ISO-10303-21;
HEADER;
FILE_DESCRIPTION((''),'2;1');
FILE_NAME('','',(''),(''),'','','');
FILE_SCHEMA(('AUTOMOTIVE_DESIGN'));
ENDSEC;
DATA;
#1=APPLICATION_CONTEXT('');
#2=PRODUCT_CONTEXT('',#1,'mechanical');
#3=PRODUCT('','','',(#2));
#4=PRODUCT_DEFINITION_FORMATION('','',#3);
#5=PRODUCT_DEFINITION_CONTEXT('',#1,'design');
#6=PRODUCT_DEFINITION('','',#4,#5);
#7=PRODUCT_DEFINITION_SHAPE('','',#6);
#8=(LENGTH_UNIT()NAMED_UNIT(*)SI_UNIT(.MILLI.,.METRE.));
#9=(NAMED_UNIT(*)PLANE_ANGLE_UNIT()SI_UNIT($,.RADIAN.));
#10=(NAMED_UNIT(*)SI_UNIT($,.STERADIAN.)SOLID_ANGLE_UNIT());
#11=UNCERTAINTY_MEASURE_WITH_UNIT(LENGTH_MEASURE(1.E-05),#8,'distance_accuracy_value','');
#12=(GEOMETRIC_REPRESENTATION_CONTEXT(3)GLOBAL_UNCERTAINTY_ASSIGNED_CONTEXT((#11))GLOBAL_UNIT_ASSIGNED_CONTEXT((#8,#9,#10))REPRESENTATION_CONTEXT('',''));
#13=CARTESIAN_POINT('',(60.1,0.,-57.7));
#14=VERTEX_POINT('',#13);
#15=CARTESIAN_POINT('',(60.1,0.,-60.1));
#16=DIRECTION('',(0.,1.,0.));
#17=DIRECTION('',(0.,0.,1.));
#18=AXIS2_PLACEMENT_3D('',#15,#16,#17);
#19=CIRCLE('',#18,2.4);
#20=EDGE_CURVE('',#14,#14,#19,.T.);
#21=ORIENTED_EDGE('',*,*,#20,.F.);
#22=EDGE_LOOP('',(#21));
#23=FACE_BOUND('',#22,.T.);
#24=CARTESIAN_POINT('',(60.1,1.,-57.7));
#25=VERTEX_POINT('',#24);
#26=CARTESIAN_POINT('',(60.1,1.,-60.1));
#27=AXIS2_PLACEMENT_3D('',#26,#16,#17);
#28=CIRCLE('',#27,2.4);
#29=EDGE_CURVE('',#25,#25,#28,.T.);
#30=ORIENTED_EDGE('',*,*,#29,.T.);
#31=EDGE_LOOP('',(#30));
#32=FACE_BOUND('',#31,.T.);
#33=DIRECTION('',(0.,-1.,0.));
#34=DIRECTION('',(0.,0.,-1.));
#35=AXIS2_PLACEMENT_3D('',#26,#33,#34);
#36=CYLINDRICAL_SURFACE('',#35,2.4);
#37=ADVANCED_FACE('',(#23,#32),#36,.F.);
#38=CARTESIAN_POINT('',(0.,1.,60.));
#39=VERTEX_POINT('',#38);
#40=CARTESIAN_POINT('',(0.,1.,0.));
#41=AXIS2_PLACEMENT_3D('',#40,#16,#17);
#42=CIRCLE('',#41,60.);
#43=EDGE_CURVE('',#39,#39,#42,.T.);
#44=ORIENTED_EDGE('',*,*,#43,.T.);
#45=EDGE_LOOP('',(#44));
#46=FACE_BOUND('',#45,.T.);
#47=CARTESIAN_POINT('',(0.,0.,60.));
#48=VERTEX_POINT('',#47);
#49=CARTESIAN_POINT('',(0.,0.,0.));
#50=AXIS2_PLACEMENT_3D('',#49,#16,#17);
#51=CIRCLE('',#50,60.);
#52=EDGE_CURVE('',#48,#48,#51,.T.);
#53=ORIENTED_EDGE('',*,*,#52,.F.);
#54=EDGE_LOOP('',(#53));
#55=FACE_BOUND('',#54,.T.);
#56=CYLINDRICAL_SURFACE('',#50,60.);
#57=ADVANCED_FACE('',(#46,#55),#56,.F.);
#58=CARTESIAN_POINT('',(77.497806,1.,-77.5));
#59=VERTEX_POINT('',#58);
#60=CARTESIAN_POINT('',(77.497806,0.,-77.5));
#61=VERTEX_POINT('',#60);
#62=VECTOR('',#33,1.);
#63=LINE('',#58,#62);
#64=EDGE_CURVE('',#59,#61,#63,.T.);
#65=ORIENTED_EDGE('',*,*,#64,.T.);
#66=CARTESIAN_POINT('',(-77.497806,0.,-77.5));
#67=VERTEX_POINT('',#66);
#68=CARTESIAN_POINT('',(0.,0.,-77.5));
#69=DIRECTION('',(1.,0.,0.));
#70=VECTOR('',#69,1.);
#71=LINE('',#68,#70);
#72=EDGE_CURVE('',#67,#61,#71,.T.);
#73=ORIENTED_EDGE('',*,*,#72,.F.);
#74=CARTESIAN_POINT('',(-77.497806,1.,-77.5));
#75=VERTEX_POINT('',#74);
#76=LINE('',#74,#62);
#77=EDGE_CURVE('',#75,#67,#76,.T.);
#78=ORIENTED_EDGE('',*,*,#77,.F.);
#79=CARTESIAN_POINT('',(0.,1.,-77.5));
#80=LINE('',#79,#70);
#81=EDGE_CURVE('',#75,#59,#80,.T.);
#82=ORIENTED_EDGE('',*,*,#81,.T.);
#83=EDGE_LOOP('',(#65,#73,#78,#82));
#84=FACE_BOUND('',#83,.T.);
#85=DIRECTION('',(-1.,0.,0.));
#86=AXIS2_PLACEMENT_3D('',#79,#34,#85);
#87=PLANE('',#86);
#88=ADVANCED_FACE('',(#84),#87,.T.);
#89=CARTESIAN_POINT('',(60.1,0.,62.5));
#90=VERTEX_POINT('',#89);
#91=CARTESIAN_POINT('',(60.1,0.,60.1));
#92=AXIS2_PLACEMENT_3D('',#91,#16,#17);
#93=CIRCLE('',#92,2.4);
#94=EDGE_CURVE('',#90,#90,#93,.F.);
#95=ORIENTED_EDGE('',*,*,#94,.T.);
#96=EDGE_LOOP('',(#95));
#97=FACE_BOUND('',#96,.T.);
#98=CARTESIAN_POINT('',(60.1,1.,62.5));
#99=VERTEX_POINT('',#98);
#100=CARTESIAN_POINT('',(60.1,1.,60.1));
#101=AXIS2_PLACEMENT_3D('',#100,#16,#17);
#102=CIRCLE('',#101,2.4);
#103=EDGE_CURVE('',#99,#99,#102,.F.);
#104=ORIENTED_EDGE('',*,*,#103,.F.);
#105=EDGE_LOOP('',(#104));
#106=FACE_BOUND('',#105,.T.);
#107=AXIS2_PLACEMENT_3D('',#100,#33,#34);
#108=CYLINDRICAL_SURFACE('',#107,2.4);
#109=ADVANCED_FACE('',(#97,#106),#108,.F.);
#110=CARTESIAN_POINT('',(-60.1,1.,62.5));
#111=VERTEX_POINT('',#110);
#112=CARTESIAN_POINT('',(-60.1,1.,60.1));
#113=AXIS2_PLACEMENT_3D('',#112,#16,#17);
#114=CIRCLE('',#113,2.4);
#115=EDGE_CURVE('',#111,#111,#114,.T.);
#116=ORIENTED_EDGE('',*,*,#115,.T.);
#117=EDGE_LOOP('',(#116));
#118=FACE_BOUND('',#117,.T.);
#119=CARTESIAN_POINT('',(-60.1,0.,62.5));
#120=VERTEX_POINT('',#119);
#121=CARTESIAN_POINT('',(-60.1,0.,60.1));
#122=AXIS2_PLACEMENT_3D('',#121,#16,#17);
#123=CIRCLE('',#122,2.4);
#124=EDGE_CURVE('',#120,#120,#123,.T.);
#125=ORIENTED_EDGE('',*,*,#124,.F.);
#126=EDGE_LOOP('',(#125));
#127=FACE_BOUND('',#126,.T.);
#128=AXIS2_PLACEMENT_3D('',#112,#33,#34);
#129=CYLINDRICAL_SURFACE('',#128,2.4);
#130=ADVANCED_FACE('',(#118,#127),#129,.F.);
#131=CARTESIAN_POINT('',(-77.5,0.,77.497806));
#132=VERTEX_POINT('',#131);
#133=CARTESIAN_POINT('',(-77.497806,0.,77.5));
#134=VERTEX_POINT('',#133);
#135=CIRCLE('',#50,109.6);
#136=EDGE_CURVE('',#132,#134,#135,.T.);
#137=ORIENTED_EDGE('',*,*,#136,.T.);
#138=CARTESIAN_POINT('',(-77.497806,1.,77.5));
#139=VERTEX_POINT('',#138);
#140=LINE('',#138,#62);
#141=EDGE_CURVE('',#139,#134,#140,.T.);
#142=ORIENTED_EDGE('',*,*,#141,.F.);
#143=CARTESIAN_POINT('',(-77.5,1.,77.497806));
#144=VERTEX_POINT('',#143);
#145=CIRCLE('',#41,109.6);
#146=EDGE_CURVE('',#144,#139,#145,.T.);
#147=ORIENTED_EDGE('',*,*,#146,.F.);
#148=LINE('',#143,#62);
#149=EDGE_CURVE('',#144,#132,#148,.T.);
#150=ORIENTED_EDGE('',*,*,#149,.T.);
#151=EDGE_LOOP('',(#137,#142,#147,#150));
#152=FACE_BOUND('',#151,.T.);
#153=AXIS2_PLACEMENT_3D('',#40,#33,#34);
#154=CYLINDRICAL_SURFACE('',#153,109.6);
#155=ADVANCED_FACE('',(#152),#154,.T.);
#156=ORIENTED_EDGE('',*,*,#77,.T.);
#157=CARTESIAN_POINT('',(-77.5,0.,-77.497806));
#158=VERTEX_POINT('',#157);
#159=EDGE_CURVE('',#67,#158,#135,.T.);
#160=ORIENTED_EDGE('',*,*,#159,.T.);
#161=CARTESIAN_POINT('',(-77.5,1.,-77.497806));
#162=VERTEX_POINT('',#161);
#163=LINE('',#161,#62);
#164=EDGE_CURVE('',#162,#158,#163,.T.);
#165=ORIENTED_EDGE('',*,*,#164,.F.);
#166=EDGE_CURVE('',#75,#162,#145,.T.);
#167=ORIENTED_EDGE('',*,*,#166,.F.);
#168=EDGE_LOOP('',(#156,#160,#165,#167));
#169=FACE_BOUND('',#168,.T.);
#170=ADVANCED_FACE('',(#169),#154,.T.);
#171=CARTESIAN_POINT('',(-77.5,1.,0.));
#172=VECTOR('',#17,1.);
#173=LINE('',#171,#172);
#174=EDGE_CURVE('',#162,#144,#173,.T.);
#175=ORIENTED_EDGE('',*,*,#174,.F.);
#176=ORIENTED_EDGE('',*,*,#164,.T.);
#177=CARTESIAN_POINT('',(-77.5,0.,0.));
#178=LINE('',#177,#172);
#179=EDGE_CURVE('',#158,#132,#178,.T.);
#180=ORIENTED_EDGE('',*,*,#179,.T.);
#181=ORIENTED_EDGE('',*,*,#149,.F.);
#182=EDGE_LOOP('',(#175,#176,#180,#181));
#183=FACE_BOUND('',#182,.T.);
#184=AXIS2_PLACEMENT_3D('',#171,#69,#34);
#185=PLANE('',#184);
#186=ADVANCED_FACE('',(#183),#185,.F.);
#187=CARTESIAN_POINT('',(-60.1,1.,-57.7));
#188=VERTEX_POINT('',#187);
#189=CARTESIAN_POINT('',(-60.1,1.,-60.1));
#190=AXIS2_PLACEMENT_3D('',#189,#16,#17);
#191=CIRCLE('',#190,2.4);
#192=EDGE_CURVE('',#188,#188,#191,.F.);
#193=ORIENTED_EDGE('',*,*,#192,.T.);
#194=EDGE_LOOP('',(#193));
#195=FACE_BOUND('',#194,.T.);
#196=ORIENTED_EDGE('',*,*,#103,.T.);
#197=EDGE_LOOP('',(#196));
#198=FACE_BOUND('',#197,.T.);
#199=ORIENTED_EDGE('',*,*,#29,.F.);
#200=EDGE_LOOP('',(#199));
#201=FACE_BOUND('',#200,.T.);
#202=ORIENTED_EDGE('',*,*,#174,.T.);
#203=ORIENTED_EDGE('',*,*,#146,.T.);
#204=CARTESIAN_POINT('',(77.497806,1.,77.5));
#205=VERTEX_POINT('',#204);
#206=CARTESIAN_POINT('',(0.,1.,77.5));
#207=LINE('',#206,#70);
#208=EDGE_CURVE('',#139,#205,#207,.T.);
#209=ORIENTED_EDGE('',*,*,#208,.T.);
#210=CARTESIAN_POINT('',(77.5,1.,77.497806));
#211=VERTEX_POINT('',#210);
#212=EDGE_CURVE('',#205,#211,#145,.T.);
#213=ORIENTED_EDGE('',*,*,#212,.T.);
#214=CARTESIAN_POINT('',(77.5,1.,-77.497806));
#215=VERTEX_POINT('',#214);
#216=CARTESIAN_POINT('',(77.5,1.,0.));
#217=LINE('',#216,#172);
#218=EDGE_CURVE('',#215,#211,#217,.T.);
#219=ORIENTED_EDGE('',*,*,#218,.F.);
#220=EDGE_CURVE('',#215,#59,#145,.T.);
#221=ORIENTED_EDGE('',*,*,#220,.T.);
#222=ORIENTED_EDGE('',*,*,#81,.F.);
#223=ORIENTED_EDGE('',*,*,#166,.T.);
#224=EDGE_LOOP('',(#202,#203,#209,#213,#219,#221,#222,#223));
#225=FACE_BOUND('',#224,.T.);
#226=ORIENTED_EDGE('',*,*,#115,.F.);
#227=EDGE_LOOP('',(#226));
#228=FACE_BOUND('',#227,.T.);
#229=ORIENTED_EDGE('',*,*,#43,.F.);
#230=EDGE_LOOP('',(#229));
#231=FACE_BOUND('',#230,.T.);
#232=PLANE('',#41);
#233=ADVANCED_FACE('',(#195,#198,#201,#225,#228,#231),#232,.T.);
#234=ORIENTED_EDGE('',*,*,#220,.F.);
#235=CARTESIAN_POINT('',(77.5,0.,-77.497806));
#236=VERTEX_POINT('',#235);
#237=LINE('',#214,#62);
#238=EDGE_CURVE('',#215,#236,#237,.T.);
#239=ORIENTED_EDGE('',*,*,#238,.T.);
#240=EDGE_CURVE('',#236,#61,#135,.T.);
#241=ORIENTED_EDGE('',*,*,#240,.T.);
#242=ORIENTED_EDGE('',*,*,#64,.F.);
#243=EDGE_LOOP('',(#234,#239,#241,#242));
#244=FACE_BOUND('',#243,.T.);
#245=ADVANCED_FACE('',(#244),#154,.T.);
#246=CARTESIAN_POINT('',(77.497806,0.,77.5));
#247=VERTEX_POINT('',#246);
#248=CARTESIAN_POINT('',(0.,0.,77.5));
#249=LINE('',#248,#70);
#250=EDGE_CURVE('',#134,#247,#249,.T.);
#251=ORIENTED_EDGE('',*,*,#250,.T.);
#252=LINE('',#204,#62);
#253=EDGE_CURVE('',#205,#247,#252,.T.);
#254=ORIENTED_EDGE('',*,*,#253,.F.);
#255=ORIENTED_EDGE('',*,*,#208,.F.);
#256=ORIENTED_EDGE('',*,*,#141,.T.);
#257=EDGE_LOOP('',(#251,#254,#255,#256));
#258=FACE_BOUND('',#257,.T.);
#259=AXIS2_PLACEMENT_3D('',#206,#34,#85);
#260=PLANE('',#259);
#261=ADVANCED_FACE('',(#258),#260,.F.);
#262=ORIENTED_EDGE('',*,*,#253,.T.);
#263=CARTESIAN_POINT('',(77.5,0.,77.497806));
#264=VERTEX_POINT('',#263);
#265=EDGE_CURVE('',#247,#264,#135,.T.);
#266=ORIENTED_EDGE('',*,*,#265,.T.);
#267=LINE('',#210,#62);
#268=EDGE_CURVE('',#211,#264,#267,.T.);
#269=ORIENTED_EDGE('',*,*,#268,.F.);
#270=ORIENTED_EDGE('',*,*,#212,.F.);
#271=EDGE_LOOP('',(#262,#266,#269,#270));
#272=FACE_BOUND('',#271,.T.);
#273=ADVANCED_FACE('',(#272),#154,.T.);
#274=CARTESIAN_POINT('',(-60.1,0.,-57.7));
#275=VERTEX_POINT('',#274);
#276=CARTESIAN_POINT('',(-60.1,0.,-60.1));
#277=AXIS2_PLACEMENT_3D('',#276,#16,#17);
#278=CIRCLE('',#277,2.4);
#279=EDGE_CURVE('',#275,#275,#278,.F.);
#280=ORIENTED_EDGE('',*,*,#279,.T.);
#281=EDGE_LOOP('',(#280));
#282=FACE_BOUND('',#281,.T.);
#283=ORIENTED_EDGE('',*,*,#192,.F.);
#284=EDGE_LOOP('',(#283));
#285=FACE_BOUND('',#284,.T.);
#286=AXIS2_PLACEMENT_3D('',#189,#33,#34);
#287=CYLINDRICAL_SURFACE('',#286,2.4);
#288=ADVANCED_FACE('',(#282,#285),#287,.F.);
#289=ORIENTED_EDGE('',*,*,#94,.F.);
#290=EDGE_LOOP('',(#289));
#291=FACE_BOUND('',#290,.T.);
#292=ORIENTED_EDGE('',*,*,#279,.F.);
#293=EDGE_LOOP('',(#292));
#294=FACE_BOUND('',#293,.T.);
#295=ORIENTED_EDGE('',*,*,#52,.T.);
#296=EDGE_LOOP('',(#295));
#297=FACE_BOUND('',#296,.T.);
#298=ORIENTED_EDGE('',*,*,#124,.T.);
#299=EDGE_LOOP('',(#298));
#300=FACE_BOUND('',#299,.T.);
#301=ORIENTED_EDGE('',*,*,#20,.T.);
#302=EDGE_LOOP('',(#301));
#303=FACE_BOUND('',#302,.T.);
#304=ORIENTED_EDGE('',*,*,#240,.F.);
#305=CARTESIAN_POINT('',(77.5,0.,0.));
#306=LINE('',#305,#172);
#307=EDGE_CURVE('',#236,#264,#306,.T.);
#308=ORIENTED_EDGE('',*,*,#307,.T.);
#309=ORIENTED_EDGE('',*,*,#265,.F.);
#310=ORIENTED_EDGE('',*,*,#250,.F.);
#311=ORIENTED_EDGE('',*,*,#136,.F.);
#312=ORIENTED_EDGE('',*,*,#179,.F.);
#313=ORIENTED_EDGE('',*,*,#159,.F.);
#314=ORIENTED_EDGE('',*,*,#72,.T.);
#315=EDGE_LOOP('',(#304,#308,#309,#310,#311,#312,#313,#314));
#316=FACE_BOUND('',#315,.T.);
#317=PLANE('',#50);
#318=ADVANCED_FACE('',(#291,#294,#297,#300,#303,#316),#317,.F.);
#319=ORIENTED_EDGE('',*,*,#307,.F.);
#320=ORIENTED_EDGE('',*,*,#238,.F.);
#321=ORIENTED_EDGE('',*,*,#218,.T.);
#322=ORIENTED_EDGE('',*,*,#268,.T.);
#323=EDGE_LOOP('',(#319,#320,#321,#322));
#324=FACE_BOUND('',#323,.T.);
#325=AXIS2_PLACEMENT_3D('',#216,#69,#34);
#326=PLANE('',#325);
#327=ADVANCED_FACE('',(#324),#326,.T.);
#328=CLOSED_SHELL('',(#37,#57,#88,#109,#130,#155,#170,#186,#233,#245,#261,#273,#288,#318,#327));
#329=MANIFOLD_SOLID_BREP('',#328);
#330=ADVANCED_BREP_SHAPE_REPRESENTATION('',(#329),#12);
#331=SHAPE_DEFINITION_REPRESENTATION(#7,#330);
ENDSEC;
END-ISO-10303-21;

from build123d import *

# Parameters (mm, degrees)
SKETCH2_R           = 2.4
BOSS_EXTRUDE1_DEPTH = 1
SKETCH3_R           = 60
CUT_EXTRUDE1_DEPTH  = 1


with BuildPart() as part:
    # Sketch2 → Boss-Extrude1 (new body)
    with BuildSketch(Plane(origin=(0, 0, 0), x_dir=(1, 0, 0), z_dir=(0, 1, 0))):
        with BuildLine():
            Line((77.497806421, 77.5), (-77.497806421, 77.5))
            ThreePointArc((-77.497806421, 77.5), (-77.498903218, 77.498903218), (-77.5, 77.497806421))
            Line((-77.5, 77.497806421), (-77.5, -77.497806421))
            ThreePointArc((-77.5, -77.497806421), (-77.498903218, -77.498903218), (-77.497806421, -77.5))
            Line((-77.497806421, -77.5), (77.497806421, -77.5))
            ThreePointArc((77.497806421, -77.5), (77.498903218, -77.498903218), (77.5, -77.497806421))
            Line((77.5, -77.497806421), (77.5, 77.497806421))
            ThreePointArc((77.5, 77.497806421), (77.498903218, 77.498903218), (77.497806421, 77.5))
        make_face()
        with Locations(Location((-60.1, -60.1, 0), (0, 0, 270))):
            Circle(SKETCH2_R, mode=Mode.SUBTRACT)
        with Locations(Location((60.1, -60.1, 0), (0, 0, 270))):
            Circle(SKETCH2_R, mode=Mode.SUBTRACT)
        with Locations(Location((-60.1, 60.1, 0), (0, 0, 270))):
            Circle(SKETCH2_R, mode=Mode.SUBTRACT)
        with Locations(Location((60.1, 60.1, 0), (0, 0, 270))):
            Circle(SKETCH2_R, mode=Mode.SUBTRACT)
    extrude(amount=BOSS_EXTRUDE1_DEPTH)

    # Sketch3 → Cut-Extrude1 (cut)
    with BuildSketch(Plane(origin=(0, 1, 0), x_dir=(1, 0, 0), z_dir=(0, 1, 0))):
        with Locations(Location((0, 0, 0), (0, 0, 270))):
            Circle(SKETCH3_R)
    extrude(amount=-CUT_EXTRUDE1_DEPTH, mode=Mode.SUBTRACT)


solid = part.part
